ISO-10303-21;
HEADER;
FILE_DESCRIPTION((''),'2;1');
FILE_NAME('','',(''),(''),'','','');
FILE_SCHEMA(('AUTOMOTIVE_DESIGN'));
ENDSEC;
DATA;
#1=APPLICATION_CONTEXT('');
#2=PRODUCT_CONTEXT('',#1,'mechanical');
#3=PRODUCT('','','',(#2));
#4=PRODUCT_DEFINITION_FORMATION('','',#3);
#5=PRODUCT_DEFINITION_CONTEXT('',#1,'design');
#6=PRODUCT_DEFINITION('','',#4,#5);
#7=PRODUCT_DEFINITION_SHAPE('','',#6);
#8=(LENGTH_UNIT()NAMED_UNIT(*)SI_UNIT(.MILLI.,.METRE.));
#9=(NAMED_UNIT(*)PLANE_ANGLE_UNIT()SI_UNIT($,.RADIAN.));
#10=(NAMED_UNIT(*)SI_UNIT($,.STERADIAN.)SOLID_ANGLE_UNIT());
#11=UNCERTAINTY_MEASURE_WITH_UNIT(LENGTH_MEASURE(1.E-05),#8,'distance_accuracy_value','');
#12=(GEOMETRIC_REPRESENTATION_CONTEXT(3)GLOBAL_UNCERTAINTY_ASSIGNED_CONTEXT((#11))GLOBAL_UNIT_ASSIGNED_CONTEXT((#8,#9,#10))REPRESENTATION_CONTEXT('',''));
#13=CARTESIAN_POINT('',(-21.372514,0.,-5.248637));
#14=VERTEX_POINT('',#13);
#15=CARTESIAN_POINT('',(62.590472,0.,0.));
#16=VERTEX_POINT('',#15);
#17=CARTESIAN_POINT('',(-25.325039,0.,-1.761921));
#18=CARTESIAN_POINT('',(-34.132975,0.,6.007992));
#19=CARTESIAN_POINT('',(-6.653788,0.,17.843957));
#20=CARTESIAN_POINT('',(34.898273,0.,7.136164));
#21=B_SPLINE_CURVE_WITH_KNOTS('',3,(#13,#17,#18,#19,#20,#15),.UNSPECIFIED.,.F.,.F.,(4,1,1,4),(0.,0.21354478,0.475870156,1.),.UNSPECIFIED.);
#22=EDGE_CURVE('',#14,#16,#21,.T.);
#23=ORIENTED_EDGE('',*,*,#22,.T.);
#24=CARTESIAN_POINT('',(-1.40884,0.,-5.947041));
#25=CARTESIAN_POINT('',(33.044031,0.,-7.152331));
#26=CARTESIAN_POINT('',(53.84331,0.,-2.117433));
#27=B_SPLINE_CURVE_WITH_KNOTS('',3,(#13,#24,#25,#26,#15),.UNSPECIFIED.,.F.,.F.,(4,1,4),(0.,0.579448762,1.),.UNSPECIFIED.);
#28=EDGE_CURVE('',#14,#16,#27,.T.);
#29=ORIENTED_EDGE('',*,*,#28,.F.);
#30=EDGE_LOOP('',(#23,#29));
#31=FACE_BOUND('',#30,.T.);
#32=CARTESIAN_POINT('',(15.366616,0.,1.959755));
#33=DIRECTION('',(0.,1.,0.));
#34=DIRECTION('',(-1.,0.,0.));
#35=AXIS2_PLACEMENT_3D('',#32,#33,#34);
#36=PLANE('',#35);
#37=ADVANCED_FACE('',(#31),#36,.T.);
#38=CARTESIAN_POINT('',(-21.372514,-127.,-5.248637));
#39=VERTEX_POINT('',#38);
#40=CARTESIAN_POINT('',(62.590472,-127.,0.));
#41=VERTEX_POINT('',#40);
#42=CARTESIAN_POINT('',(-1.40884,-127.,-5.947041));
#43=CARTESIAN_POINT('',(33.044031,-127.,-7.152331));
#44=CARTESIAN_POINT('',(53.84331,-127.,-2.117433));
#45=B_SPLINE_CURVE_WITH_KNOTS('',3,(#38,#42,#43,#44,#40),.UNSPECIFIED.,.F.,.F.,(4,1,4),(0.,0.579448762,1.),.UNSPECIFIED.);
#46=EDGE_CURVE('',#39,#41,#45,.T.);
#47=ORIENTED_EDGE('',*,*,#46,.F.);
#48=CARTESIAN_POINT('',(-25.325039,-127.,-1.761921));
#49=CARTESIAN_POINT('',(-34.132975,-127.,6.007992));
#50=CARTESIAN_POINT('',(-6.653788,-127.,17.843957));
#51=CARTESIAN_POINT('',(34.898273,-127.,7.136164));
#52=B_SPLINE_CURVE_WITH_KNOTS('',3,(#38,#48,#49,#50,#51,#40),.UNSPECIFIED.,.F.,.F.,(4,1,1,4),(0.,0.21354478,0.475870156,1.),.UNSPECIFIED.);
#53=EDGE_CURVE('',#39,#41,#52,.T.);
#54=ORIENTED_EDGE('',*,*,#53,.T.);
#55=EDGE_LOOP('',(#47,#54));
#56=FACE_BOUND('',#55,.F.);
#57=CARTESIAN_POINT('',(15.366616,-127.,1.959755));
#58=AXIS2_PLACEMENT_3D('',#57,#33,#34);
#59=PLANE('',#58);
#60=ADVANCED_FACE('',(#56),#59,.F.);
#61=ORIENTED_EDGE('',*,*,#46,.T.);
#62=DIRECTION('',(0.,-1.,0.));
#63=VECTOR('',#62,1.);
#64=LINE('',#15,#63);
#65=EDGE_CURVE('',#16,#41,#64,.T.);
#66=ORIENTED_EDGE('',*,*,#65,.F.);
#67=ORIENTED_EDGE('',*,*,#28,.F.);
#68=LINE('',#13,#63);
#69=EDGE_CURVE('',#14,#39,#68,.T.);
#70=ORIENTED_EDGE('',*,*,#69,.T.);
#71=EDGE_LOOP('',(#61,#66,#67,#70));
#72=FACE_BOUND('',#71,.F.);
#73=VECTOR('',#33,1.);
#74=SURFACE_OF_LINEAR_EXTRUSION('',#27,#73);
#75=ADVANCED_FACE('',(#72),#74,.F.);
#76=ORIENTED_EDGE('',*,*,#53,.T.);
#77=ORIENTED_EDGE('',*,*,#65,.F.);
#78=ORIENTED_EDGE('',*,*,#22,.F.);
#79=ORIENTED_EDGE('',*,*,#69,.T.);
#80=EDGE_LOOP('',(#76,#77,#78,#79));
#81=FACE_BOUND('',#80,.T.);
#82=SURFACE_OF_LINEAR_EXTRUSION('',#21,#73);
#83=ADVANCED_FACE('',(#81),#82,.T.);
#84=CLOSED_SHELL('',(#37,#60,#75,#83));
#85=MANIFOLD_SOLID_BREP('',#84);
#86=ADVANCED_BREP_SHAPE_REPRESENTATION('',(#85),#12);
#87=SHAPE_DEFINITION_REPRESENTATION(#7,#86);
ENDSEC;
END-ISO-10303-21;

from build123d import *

# Parameters (mm, degrees)
F1_DEPTH = 127


with BuildPart() as f1:
    # F0 (on Front) → F1 (new body)
    with BuildSketch(Plane.XZ):
        with BuildLine():
            add(Edge.make_bspline(
                [(-21.3725138456, -5.2486374043), (-25.3250389122, -1.7619208594), (-34.1329747651, 6.0079920815), (-6.6537881059, 17.8439569647), (34.8982726047, 7.1361643232), (62.5904724002, 0)],
                knots=[0, 0, 0, 0, 0.2135447796, 0.4758701561, 1, 1, 1, 1], degree=3))
            add(Edge.make_bspline(
                [(-21.3725138456, -5.2486374043), (-1.4088403313, -5.9470410293), (33.0440307526, -7.1523307291), (53.8433098407, -2.1174326274), (62.5904724002, 0)],
                knots=[0, 0, 0, 0, 0.5794487625, 1, 1, 1, 1], degree=3))
        make_face()
    extrude(amount=F1_DEPTH)


solid = f1.part
